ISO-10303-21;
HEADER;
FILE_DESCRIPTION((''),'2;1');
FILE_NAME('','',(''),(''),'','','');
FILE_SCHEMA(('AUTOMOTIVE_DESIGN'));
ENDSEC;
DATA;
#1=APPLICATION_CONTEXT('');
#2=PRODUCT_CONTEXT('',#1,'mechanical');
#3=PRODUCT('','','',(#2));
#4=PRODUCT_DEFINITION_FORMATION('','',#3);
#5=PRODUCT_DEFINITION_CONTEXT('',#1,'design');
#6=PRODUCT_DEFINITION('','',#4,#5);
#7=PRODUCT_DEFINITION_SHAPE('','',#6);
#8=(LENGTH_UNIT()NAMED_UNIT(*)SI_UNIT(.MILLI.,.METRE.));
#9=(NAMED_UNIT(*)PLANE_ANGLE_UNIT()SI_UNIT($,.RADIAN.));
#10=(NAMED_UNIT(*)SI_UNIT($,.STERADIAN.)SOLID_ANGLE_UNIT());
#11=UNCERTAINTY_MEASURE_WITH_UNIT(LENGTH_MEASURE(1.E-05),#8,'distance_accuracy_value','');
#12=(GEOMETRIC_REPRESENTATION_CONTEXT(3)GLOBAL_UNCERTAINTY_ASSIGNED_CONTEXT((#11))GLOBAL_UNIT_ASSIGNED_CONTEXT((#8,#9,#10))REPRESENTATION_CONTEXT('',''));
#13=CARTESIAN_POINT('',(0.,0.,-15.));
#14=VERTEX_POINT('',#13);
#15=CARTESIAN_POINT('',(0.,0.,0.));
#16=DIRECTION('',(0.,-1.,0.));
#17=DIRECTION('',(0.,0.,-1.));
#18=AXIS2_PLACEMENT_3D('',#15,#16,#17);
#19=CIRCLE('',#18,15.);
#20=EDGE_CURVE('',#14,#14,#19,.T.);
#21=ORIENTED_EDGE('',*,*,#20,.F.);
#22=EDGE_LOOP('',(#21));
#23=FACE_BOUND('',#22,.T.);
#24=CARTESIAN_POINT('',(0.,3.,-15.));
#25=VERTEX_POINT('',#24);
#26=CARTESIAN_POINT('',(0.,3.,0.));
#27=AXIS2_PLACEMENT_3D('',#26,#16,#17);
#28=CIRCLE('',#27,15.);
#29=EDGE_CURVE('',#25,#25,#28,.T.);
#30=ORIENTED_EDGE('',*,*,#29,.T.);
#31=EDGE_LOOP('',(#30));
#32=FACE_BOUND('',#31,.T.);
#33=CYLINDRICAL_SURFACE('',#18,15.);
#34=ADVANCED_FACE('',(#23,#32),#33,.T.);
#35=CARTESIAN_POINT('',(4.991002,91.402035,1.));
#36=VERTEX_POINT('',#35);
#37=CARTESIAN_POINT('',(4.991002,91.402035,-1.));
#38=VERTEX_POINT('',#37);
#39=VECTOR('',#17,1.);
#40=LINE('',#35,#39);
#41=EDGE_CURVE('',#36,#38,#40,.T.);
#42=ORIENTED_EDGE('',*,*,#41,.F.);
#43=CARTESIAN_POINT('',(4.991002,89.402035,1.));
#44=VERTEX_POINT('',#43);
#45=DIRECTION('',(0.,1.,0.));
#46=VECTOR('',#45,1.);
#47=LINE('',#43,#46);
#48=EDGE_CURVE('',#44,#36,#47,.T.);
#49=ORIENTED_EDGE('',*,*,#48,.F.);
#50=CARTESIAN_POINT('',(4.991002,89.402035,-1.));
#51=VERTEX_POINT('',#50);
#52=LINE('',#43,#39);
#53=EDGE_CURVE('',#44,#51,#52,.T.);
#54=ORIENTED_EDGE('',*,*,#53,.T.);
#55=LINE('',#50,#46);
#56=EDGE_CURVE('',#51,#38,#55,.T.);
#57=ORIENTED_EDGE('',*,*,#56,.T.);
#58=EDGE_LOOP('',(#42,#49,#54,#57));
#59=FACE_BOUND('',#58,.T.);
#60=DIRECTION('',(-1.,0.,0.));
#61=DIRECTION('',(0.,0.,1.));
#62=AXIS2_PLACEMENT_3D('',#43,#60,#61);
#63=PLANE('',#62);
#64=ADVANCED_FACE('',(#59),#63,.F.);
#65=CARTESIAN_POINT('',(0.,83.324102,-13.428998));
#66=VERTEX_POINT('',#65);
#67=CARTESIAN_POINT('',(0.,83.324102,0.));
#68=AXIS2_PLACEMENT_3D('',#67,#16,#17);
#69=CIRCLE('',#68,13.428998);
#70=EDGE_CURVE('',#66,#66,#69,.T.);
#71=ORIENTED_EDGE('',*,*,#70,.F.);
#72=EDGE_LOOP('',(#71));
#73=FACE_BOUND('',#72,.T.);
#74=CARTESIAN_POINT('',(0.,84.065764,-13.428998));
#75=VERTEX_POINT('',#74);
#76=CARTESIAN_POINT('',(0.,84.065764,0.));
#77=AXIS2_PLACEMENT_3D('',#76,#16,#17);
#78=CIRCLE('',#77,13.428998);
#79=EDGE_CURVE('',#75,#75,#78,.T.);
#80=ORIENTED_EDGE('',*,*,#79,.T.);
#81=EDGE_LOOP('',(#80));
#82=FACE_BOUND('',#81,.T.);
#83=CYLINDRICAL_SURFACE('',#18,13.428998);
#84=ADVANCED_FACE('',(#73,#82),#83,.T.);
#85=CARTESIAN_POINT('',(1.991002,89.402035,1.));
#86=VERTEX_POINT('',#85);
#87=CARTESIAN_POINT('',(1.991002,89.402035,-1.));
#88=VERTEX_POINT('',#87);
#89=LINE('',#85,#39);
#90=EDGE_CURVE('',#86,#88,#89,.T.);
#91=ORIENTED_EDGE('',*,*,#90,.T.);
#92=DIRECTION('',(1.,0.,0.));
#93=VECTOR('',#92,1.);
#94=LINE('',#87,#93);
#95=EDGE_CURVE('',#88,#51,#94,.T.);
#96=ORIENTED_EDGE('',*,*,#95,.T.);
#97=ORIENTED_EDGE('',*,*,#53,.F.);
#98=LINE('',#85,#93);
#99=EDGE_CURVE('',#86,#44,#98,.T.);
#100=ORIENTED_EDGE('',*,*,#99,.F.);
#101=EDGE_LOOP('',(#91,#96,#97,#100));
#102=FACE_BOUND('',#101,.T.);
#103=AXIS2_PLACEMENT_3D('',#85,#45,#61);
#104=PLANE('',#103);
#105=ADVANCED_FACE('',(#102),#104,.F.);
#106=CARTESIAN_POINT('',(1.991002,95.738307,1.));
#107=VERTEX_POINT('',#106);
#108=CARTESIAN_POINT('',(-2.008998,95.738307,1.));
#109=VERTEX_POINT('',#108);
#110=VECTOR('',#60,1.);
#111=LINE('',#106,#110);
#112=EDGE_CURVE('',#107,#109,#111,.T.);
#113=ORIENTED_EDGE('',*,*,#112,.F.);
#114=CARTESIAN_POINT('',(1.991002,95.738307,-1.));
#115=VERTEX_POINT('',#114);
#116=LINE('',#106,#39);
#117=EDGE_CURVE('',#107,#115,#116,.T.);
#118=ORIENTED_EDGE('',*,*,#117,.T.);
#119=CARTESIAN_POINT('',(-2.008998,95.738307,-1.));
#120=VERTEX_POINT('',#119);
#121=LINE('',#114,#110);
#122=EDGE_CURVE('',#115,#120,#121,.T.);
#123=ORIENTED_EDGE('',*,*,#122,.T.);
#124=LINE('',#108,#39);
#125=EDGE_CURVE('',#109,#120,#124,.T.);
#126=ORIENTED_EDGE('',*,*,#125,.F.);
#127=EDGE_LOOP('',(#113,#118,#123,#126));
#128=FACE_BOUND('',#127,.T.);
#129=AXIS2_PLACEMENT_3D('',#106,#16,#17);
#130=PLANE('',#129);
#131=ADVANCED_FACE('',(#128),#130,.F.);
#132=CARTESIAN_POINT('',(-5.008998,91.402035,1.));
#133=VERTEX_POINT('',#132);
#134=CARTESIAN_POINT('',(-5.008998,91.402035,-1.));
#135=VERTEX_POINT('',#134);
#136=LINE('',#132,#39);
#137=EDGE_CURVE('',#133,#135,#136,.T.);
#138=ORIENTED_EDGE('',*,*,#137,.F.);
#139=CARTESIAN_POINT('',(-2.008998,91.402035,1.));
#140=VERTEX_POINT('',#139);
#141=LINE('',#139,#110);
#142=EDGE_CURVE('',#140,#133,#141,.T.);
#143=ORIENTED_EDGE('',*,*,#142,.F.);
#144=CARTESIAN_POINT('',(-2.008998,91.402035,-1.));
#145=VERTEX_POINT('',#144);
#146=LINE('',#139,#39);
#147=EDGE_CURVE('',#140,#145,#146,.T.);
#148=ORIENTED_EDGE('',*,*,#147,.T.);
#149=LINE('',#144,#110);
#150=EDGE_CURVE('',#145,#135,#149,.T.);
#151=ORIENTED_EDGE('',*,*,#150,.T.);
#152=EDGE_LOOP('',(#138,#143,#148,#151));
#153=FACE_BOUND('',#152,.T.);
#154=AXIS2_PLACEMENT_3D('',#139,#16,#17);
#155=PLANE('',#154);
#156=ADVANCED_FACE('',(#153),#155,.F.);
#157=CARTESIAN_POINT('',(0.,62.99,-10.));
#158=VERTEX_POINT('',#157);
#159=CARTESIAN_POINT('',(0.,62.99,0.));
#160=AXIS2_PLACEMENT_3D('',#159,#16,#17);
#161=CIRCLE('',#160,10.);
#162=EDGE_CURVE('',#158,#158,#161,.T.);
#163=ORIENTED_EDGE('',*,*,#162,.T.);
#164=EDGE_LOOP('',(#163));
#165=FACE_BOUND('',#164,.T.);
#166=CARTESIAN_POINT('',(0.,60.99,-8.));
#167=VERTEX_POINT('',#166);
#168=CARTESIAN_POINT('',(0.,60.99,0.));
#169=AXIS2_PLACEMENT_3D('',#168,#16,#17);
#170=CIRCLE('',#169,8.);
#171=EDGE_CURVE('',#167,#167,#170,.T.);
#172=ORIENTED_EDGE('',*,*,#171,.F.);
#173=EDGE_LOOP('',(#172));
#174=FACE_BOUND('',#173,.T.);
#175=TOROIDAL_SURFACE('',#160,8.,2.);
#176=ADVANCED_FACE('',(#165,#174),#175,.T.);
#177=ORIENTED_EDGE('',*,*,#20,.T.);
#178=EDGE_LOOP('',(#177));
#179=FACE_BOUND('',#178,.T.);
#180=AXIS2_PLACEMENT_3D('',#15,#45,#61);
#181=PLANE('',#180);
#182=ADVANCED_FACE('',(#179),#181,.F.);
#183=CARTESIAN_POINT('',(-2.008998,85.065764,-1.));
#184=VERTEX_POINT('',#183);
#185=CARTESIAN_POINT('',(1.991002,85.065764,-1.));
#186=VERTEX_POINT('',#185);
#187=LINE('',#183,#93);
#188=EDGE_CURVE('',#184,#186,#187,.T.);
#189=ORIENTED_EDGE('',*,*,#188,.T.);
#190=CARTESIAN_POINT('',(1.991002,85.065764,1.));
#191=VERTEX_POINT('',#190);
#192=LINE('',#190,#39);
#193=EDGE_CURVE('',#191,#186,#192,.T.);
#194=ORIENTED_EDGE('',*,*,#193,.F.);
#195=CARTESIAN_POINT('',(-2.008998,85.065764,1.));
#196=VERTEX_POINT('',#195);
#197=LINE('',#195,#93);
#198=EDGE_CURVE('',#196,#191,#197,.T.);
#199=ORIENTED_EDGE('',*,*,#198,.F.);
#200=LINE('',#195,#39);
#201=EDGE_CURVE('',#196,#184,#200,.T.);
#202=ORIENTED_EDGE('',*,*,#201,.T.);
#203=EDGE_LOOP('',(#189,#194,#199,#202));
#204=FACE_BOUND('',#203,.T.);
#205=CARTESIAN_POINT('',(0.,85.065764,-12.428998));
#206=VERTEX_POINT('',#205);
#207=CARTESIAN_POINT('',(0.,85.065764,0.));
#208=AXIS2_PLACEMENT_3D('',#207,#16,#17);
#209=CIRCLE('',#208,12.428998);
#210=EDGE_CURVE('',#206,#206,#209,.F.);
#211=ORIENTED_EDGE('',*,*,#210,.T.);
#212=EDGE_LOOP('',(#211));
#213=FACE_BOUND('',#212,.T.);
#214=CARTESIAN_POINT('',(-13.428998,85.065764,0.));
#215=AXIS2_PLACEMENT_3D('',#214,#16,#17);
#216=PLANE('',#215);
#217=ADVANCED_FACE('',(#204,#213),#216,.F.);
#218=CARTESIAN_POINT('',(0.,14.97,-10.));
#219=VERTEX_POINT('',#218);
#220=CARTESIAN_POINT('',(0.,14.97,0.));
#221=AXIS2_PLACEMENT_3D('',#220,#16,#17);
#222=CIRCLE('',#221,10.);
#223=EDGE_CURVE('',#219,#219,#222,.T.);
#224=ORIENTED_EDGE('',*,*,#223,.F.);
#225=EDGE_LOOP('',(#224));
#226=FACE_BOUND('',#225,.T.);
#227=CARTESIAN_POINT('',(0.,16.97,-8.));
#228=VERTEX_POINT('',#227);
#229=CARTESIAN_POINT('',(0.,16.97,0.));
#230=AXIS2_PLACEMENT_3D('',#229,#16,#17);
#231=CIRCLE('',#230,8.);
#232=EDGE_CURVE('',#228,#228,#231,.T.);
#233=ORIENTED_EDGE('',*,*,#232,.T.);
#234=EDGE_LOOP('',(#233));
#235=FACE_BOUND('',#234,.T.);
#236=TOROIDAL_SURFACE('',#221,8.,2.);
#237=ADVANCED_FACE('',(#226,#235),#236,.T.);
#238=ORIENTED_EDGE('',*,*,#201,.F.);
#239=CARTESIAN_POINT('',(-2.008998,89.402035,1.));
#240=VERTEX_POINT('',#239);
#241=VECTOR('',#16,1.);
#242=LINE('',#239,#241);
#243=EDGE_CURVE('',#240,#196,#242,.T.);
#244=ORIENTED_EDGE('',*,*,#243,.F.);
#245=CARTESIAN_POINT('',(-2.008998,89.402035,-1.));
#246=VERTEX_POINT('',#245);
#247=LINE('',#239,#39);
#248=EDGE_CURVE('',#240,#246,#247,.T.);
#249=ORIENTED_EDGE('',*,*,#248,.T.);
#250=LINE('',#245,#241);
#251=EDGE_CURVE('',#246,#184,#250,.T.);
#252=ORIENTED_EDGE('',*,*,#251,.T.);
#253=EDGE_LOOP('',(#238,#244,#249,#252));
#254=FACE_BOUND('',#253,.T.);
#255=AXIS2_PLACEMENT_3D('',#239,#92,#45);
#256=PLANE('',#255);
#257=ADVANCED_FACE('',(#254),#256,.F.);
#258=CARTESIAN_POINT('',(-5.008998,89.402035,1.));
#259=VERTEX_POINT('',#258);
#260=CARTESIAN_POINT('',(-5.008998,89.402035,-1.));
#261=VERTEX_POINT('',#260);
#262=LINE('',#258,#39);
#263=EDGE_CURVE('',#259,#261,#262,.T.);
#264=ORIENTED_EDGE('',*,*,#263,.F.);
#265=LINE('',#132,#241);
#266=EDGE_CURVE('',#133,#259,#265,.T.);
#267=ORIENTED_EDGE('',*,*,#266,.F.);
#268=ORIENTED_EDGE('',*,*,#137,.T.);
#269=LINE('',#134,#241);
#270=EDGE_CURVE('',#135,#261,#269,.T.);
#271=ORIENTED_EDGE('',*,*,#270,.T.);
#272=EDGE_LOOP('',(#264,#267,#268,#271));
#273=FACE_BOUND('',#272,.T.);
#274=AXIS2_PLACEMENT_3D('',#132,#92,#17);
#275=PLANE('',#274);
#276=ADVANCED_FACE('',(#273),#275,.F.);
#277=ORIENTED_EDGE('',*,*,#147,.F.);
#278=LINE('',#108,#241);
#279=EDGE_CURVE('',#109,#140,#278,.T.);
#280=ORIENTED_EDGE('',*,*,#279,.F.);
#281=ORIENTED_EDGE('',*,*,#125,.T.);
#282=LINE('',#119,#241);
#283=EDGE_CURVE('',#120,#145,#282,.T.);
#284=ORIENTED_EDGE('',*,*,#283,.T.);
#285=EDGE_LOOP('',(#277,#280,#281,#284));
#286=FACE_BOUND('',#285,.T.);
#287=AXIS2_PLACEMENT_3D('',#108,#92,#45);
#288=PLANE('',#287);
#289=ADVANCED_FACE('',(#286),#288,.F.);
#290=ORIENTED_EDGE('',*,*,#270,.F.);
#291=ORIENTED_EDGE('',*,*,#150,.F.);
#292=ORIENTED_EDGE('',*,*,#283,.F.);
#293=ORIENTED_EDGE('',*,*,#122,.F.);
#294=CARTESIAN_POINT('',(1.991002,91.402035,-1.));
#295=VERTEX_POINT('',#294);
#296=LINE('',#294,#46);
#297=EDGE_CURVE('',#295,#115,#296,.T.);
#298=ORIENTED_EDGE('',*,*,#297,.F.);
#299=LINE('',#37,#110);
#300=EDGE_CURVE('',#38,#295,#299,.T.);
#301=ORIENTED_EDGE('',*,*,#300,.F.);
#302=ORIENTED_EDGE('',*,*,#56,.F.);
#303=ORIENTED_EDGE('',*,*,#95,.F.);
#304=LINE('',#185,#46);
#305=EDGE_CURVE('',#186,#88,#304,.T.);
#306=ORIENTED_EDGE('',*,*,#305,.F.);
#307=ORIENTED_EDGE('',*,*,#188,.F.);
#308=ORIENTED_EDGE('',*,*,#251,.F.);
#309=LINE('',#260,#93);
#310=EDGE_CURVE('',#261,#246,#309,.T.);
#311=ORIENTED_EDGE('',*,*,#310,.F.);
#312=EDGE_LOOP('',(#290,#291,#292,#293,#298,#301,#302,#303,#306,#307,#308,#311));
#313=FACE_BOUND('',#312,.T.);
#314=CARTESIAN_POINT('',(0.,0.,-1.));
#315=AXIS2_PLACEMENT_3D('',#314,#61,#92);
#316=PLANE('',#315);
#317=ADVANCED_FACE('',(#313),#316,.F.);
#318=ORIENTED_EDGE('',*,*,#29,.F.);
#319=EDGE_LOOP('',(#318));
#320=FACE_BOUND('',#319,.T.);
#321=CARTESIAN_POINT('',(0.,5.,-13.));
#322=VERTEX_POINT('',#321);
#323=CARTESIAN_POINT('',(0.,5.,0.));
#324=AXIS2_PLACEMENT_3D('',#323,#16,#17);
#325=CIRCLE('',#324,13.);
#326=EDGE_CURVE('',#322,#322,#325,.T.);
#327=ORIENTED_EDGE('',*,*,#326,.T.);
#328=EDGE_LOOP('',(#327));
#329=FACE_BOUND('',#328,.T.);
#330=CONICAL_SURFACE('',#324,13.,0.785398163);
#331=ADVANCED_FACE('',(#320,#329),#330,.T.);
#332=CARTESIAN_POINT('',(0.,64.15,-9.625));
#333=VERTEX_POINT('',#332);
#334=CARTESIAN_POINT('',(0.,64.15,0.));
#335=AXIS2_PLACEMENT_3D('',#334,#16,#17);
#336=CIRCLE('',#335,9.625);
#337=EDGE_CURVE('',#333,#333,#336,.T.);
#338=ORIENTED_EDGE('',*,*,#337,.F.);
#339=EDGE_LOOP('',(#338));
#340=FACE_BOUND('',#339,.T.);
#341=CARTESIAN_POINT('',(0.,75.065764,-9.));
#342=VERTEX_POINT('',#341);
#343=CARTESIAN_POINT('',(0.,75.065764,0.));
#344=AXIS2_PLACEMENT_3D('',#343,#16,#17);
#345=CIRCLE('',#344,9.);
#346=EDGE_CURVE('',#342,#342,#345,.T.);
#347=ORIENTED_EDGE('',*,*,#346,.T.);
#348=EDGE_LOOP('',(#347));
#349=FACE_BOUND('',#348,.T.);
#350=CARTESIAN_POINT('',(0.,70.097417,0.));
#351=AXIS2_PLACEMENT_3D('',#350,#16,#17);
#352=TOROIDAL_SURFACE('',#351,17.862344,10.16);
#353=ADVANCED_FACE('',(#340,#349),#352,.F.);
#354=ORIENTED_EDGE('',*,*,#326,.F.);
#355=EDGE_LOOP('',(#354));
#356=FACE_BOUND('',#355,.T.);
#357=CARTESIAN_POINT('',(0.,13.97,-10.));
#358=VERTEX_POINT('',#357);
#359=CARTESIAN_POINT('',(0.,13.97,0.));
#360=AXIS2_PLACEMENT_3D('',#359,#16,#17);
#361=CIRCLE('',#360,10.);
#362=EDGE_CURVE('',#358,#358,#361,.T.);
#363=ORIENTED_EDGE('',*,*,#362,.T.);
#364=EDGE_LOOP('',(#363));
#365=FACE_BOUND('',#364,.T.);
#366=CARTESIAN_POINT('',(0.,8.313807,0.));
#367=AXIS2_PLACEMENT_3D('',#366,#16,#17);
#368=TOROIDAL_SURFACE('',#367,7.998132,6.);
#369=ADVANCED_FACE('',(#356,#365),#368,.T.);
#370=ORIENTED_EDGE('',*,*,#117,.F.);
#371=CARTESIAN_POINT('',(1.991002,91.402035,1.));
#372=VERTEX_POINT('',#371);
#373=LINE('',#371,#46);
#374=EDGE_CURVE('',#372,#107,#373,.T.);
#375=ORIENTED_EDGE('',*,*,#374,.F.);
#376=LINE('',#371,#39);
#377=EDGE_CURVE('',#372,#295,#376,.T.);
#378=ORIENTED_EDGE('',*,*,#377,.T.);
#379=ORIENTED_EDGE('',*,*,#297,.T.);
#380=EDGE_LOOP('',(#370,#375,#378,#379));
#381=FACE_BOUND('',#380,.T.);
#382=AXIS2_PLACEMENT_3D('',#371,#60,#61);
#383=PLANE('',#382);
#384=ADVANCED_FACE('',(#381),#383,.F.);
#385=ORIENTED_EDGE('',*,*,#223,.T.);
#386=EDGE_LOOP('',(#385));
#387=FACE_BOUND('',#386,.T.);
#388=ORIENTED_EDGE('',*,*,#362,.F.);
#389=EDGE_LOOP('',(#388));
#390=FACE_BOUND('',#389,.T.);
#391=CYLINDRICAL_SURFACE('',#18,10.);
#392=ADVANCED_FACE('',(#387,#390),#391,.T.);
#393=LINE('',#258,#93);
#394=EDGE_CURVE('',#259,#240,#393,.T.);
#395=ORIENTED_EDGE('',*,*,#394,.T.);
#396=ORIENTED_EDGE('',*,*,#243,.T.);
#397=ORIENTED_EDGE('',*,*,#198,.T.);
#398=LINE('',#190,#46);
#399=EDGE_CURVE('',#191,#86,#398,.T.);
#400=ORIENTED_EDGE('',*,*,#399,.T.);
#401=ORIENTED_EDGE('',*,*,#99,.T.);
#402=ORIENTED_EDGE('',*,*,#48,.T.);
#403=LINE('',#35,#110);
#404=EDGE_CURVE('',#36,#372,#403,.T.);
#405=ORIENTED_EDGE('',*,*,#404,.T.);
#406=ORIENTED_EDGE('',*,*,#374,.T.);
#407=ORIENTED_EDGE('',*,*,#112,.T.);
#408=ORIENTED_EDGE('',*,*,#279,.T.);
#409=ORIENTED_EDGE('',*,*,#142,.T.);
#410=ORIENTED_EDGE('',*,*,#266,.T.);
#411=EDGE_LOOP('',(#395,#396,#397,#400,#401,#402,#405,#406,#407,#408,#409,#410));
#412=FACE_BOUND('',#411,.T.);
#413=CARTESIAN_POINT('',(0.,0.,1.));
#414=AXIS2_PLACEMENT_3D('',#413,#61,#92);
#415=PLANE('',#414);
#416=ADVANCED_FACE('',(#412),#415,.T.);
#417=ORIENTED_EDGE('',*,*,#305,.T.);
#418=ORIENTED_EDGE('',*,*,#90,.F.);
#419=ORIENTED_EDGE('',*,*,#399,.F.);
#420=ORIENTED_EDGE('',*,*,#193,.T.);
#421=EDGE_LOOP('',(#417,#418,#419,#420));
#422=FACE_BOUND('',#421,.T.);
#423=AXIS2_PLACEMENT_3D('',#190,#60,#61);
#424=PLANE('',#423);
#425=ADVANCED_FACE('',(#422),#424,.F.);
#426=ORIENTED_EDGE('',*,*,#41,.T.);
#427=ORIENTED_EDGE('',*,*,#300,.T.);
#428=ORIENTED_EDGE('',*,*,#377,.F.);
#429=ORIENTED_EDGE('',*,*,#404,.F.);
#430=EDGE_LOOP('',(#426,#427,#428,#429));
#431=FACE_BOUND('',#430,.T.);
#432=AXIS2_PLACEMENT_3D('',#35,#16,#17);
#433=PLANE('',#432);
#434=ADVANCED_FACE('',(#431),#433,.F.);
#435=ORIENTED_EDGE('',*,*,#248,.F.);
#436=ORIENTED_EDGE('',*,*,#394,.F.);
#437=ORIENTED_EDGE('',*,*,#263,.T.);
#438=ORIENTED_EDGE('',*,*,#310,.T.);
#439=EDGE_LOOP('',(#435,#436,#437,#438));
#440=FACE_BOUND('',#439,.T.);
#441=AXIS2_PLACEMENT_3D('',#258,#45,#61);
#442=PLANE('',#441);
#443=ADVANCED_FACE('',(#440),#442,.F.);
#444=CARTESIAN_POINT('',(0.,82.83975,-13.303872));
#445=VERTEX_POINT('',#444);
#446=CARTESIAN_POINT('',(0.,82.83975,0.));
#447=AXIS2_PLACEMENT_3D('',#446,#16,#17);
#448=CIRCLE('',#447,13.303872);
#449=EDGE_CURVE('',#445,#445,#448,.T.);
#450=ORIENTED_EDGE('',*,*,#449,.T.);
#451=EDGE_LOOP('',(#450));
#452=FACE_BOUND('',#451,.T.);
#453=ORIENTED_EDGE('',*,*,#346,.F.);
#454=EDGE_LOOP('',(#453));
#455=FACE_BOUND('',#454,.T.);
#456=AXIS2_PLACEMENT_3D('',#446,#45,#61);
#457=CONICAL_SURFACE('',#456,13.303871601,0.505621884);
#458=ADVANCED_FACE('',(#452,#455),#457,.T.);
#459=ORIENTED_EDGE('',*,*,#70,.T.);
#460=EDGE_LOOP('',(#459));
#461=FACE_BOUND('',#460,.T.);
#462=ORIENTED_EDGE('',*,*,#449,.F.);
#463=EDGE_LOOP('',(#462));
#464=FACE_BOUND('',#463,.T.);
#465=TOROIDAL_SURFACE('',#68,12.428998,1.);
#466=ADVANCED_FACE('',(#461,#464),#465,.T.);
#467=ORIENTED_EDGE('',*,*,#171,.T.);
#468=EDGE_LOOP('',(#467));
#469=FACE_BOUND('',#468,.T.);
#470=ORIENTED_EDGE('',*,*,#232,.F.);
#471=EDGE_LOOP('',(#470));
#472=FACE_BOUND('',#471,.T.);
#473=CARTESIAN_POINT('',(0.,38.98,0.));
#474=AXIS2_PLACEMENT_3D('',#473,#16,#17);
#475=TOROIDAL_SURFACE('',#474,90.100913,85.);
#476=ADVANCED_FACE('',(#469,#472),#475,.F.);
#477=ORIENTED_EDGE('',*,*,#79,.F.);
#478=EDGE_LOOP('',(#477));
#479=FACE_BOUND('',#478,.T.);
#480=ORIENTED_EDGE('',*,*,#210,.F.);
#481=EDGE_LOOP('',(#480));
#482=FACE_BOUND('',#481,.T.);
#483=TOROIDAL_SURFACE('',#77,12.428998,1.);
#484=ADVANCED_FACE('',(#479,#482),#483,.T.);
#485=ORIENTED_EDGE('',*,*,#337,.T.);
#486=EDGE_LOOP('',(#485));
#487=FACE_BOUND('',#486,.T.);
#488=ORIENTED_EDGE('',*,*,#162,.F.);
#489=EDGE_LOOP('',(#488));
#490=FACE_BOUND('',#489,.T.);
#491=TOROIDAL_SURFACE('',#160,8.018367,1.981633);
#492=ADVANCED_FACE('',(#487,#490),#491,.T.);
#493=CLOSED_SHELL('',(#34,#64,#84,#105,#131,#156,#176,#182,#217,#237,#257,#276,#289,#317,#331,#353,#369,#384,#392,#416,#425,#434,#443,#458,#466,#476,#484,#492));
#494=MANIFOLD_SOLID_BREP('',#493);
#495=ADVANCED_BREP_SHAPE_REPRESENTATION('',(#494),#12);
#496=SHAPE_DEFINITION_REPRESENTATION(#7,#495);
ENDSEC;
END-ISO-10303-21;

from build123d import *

# Parameters (mm, degrees)
FILLET1_R           = 1
BOSS_EXTRUDE1_DEPTH = 1


with BuildPart() as part:
    # Sketch1 → Revolve1 (revolve)
    with BuildSketch(Plane.XY, mode=Mode.PRIVATE) as revolve1_sk:
        with BuildLine():
            Line((0, 0), (-15, 0))
            Line((-15, 0), (-15, 3))
            Line((-15, 3), (-13, 5))
            ThreePointArc((-13, 5), (-13.688325627, 10.216881481), (-10, 13.97))
            Line((-10, 13.97), (-10, 14.97))
            ThreePointArc((-10, 14.97), (-9.414213562, 16.384213562), (-8, 16.97))
            ThreePointArc((-8, 16.97), (-5.100912906, 38.98), (-8, 60.99))
            ThreePointArc((-8, 60.99), (-9.414213562, 61.575786438), (-10, 62.99))
            ThreePointArc((-10, 62.99), (-9.903920807, 63.59955414), (-9.625, 64.15))
            ThreePointArc((-9.625, 64.15), (-7.718956652, 69.516640804), (-9, 75.065763501))
            Line((-9, 75.065763501), (-13.303871601, 82.839750191))
            ThreePointArc((-13.303871601, 82.839750191), (-13.397211325, 83.07397526), (-13.428998168, 83.324101795))
            Line((-13.428998168, 83.324101795), (-13.428998168, 85.065763501))
            Line((-13.428998168, 85.065763501), (0, 85.065763501))
            Line((0, 85.065763501), (0, 0))
        make_face()
    revolve(revolve1_sk.sketch.rotate(Axis((0, 0, 0), (0, 1, 0)), 270), axis=Axis((0, 0, 0), (0, 1, 0)))

    # Fillet1
    fillet1_edges = [part.edges().sort_by_distance(p)[0] for p in [
        (0, 85.065763501, 13.428998168),
    ]]
    fillet(fillet1_edges, radius=FILLET1_R)

    # Sketch2 → Boss-Extrude1 (add, symmetric)
    with BuildSketch(Plane.XY):
        Polygon((-2.008998168, 85.065763501), (1.991001832, 85.065763501), (1.991001832, 89.402035395), (4.991001832, 89.402035395), (4.991001832, 91.402035395), (1.991001832, 91.402035395), (1.991001832, 95.738307289), (-2.008998168, 95.738307289), (-2.008998168, 91.402035395), (-5.008998168, 91.402035395), (-5.008998168, 89.402035395), (-2.008998168, 89.402035395), align=None)
    extrude(amount=BOSS_EXTRUDE1_DEPTH, both=True)


solid = part.part
